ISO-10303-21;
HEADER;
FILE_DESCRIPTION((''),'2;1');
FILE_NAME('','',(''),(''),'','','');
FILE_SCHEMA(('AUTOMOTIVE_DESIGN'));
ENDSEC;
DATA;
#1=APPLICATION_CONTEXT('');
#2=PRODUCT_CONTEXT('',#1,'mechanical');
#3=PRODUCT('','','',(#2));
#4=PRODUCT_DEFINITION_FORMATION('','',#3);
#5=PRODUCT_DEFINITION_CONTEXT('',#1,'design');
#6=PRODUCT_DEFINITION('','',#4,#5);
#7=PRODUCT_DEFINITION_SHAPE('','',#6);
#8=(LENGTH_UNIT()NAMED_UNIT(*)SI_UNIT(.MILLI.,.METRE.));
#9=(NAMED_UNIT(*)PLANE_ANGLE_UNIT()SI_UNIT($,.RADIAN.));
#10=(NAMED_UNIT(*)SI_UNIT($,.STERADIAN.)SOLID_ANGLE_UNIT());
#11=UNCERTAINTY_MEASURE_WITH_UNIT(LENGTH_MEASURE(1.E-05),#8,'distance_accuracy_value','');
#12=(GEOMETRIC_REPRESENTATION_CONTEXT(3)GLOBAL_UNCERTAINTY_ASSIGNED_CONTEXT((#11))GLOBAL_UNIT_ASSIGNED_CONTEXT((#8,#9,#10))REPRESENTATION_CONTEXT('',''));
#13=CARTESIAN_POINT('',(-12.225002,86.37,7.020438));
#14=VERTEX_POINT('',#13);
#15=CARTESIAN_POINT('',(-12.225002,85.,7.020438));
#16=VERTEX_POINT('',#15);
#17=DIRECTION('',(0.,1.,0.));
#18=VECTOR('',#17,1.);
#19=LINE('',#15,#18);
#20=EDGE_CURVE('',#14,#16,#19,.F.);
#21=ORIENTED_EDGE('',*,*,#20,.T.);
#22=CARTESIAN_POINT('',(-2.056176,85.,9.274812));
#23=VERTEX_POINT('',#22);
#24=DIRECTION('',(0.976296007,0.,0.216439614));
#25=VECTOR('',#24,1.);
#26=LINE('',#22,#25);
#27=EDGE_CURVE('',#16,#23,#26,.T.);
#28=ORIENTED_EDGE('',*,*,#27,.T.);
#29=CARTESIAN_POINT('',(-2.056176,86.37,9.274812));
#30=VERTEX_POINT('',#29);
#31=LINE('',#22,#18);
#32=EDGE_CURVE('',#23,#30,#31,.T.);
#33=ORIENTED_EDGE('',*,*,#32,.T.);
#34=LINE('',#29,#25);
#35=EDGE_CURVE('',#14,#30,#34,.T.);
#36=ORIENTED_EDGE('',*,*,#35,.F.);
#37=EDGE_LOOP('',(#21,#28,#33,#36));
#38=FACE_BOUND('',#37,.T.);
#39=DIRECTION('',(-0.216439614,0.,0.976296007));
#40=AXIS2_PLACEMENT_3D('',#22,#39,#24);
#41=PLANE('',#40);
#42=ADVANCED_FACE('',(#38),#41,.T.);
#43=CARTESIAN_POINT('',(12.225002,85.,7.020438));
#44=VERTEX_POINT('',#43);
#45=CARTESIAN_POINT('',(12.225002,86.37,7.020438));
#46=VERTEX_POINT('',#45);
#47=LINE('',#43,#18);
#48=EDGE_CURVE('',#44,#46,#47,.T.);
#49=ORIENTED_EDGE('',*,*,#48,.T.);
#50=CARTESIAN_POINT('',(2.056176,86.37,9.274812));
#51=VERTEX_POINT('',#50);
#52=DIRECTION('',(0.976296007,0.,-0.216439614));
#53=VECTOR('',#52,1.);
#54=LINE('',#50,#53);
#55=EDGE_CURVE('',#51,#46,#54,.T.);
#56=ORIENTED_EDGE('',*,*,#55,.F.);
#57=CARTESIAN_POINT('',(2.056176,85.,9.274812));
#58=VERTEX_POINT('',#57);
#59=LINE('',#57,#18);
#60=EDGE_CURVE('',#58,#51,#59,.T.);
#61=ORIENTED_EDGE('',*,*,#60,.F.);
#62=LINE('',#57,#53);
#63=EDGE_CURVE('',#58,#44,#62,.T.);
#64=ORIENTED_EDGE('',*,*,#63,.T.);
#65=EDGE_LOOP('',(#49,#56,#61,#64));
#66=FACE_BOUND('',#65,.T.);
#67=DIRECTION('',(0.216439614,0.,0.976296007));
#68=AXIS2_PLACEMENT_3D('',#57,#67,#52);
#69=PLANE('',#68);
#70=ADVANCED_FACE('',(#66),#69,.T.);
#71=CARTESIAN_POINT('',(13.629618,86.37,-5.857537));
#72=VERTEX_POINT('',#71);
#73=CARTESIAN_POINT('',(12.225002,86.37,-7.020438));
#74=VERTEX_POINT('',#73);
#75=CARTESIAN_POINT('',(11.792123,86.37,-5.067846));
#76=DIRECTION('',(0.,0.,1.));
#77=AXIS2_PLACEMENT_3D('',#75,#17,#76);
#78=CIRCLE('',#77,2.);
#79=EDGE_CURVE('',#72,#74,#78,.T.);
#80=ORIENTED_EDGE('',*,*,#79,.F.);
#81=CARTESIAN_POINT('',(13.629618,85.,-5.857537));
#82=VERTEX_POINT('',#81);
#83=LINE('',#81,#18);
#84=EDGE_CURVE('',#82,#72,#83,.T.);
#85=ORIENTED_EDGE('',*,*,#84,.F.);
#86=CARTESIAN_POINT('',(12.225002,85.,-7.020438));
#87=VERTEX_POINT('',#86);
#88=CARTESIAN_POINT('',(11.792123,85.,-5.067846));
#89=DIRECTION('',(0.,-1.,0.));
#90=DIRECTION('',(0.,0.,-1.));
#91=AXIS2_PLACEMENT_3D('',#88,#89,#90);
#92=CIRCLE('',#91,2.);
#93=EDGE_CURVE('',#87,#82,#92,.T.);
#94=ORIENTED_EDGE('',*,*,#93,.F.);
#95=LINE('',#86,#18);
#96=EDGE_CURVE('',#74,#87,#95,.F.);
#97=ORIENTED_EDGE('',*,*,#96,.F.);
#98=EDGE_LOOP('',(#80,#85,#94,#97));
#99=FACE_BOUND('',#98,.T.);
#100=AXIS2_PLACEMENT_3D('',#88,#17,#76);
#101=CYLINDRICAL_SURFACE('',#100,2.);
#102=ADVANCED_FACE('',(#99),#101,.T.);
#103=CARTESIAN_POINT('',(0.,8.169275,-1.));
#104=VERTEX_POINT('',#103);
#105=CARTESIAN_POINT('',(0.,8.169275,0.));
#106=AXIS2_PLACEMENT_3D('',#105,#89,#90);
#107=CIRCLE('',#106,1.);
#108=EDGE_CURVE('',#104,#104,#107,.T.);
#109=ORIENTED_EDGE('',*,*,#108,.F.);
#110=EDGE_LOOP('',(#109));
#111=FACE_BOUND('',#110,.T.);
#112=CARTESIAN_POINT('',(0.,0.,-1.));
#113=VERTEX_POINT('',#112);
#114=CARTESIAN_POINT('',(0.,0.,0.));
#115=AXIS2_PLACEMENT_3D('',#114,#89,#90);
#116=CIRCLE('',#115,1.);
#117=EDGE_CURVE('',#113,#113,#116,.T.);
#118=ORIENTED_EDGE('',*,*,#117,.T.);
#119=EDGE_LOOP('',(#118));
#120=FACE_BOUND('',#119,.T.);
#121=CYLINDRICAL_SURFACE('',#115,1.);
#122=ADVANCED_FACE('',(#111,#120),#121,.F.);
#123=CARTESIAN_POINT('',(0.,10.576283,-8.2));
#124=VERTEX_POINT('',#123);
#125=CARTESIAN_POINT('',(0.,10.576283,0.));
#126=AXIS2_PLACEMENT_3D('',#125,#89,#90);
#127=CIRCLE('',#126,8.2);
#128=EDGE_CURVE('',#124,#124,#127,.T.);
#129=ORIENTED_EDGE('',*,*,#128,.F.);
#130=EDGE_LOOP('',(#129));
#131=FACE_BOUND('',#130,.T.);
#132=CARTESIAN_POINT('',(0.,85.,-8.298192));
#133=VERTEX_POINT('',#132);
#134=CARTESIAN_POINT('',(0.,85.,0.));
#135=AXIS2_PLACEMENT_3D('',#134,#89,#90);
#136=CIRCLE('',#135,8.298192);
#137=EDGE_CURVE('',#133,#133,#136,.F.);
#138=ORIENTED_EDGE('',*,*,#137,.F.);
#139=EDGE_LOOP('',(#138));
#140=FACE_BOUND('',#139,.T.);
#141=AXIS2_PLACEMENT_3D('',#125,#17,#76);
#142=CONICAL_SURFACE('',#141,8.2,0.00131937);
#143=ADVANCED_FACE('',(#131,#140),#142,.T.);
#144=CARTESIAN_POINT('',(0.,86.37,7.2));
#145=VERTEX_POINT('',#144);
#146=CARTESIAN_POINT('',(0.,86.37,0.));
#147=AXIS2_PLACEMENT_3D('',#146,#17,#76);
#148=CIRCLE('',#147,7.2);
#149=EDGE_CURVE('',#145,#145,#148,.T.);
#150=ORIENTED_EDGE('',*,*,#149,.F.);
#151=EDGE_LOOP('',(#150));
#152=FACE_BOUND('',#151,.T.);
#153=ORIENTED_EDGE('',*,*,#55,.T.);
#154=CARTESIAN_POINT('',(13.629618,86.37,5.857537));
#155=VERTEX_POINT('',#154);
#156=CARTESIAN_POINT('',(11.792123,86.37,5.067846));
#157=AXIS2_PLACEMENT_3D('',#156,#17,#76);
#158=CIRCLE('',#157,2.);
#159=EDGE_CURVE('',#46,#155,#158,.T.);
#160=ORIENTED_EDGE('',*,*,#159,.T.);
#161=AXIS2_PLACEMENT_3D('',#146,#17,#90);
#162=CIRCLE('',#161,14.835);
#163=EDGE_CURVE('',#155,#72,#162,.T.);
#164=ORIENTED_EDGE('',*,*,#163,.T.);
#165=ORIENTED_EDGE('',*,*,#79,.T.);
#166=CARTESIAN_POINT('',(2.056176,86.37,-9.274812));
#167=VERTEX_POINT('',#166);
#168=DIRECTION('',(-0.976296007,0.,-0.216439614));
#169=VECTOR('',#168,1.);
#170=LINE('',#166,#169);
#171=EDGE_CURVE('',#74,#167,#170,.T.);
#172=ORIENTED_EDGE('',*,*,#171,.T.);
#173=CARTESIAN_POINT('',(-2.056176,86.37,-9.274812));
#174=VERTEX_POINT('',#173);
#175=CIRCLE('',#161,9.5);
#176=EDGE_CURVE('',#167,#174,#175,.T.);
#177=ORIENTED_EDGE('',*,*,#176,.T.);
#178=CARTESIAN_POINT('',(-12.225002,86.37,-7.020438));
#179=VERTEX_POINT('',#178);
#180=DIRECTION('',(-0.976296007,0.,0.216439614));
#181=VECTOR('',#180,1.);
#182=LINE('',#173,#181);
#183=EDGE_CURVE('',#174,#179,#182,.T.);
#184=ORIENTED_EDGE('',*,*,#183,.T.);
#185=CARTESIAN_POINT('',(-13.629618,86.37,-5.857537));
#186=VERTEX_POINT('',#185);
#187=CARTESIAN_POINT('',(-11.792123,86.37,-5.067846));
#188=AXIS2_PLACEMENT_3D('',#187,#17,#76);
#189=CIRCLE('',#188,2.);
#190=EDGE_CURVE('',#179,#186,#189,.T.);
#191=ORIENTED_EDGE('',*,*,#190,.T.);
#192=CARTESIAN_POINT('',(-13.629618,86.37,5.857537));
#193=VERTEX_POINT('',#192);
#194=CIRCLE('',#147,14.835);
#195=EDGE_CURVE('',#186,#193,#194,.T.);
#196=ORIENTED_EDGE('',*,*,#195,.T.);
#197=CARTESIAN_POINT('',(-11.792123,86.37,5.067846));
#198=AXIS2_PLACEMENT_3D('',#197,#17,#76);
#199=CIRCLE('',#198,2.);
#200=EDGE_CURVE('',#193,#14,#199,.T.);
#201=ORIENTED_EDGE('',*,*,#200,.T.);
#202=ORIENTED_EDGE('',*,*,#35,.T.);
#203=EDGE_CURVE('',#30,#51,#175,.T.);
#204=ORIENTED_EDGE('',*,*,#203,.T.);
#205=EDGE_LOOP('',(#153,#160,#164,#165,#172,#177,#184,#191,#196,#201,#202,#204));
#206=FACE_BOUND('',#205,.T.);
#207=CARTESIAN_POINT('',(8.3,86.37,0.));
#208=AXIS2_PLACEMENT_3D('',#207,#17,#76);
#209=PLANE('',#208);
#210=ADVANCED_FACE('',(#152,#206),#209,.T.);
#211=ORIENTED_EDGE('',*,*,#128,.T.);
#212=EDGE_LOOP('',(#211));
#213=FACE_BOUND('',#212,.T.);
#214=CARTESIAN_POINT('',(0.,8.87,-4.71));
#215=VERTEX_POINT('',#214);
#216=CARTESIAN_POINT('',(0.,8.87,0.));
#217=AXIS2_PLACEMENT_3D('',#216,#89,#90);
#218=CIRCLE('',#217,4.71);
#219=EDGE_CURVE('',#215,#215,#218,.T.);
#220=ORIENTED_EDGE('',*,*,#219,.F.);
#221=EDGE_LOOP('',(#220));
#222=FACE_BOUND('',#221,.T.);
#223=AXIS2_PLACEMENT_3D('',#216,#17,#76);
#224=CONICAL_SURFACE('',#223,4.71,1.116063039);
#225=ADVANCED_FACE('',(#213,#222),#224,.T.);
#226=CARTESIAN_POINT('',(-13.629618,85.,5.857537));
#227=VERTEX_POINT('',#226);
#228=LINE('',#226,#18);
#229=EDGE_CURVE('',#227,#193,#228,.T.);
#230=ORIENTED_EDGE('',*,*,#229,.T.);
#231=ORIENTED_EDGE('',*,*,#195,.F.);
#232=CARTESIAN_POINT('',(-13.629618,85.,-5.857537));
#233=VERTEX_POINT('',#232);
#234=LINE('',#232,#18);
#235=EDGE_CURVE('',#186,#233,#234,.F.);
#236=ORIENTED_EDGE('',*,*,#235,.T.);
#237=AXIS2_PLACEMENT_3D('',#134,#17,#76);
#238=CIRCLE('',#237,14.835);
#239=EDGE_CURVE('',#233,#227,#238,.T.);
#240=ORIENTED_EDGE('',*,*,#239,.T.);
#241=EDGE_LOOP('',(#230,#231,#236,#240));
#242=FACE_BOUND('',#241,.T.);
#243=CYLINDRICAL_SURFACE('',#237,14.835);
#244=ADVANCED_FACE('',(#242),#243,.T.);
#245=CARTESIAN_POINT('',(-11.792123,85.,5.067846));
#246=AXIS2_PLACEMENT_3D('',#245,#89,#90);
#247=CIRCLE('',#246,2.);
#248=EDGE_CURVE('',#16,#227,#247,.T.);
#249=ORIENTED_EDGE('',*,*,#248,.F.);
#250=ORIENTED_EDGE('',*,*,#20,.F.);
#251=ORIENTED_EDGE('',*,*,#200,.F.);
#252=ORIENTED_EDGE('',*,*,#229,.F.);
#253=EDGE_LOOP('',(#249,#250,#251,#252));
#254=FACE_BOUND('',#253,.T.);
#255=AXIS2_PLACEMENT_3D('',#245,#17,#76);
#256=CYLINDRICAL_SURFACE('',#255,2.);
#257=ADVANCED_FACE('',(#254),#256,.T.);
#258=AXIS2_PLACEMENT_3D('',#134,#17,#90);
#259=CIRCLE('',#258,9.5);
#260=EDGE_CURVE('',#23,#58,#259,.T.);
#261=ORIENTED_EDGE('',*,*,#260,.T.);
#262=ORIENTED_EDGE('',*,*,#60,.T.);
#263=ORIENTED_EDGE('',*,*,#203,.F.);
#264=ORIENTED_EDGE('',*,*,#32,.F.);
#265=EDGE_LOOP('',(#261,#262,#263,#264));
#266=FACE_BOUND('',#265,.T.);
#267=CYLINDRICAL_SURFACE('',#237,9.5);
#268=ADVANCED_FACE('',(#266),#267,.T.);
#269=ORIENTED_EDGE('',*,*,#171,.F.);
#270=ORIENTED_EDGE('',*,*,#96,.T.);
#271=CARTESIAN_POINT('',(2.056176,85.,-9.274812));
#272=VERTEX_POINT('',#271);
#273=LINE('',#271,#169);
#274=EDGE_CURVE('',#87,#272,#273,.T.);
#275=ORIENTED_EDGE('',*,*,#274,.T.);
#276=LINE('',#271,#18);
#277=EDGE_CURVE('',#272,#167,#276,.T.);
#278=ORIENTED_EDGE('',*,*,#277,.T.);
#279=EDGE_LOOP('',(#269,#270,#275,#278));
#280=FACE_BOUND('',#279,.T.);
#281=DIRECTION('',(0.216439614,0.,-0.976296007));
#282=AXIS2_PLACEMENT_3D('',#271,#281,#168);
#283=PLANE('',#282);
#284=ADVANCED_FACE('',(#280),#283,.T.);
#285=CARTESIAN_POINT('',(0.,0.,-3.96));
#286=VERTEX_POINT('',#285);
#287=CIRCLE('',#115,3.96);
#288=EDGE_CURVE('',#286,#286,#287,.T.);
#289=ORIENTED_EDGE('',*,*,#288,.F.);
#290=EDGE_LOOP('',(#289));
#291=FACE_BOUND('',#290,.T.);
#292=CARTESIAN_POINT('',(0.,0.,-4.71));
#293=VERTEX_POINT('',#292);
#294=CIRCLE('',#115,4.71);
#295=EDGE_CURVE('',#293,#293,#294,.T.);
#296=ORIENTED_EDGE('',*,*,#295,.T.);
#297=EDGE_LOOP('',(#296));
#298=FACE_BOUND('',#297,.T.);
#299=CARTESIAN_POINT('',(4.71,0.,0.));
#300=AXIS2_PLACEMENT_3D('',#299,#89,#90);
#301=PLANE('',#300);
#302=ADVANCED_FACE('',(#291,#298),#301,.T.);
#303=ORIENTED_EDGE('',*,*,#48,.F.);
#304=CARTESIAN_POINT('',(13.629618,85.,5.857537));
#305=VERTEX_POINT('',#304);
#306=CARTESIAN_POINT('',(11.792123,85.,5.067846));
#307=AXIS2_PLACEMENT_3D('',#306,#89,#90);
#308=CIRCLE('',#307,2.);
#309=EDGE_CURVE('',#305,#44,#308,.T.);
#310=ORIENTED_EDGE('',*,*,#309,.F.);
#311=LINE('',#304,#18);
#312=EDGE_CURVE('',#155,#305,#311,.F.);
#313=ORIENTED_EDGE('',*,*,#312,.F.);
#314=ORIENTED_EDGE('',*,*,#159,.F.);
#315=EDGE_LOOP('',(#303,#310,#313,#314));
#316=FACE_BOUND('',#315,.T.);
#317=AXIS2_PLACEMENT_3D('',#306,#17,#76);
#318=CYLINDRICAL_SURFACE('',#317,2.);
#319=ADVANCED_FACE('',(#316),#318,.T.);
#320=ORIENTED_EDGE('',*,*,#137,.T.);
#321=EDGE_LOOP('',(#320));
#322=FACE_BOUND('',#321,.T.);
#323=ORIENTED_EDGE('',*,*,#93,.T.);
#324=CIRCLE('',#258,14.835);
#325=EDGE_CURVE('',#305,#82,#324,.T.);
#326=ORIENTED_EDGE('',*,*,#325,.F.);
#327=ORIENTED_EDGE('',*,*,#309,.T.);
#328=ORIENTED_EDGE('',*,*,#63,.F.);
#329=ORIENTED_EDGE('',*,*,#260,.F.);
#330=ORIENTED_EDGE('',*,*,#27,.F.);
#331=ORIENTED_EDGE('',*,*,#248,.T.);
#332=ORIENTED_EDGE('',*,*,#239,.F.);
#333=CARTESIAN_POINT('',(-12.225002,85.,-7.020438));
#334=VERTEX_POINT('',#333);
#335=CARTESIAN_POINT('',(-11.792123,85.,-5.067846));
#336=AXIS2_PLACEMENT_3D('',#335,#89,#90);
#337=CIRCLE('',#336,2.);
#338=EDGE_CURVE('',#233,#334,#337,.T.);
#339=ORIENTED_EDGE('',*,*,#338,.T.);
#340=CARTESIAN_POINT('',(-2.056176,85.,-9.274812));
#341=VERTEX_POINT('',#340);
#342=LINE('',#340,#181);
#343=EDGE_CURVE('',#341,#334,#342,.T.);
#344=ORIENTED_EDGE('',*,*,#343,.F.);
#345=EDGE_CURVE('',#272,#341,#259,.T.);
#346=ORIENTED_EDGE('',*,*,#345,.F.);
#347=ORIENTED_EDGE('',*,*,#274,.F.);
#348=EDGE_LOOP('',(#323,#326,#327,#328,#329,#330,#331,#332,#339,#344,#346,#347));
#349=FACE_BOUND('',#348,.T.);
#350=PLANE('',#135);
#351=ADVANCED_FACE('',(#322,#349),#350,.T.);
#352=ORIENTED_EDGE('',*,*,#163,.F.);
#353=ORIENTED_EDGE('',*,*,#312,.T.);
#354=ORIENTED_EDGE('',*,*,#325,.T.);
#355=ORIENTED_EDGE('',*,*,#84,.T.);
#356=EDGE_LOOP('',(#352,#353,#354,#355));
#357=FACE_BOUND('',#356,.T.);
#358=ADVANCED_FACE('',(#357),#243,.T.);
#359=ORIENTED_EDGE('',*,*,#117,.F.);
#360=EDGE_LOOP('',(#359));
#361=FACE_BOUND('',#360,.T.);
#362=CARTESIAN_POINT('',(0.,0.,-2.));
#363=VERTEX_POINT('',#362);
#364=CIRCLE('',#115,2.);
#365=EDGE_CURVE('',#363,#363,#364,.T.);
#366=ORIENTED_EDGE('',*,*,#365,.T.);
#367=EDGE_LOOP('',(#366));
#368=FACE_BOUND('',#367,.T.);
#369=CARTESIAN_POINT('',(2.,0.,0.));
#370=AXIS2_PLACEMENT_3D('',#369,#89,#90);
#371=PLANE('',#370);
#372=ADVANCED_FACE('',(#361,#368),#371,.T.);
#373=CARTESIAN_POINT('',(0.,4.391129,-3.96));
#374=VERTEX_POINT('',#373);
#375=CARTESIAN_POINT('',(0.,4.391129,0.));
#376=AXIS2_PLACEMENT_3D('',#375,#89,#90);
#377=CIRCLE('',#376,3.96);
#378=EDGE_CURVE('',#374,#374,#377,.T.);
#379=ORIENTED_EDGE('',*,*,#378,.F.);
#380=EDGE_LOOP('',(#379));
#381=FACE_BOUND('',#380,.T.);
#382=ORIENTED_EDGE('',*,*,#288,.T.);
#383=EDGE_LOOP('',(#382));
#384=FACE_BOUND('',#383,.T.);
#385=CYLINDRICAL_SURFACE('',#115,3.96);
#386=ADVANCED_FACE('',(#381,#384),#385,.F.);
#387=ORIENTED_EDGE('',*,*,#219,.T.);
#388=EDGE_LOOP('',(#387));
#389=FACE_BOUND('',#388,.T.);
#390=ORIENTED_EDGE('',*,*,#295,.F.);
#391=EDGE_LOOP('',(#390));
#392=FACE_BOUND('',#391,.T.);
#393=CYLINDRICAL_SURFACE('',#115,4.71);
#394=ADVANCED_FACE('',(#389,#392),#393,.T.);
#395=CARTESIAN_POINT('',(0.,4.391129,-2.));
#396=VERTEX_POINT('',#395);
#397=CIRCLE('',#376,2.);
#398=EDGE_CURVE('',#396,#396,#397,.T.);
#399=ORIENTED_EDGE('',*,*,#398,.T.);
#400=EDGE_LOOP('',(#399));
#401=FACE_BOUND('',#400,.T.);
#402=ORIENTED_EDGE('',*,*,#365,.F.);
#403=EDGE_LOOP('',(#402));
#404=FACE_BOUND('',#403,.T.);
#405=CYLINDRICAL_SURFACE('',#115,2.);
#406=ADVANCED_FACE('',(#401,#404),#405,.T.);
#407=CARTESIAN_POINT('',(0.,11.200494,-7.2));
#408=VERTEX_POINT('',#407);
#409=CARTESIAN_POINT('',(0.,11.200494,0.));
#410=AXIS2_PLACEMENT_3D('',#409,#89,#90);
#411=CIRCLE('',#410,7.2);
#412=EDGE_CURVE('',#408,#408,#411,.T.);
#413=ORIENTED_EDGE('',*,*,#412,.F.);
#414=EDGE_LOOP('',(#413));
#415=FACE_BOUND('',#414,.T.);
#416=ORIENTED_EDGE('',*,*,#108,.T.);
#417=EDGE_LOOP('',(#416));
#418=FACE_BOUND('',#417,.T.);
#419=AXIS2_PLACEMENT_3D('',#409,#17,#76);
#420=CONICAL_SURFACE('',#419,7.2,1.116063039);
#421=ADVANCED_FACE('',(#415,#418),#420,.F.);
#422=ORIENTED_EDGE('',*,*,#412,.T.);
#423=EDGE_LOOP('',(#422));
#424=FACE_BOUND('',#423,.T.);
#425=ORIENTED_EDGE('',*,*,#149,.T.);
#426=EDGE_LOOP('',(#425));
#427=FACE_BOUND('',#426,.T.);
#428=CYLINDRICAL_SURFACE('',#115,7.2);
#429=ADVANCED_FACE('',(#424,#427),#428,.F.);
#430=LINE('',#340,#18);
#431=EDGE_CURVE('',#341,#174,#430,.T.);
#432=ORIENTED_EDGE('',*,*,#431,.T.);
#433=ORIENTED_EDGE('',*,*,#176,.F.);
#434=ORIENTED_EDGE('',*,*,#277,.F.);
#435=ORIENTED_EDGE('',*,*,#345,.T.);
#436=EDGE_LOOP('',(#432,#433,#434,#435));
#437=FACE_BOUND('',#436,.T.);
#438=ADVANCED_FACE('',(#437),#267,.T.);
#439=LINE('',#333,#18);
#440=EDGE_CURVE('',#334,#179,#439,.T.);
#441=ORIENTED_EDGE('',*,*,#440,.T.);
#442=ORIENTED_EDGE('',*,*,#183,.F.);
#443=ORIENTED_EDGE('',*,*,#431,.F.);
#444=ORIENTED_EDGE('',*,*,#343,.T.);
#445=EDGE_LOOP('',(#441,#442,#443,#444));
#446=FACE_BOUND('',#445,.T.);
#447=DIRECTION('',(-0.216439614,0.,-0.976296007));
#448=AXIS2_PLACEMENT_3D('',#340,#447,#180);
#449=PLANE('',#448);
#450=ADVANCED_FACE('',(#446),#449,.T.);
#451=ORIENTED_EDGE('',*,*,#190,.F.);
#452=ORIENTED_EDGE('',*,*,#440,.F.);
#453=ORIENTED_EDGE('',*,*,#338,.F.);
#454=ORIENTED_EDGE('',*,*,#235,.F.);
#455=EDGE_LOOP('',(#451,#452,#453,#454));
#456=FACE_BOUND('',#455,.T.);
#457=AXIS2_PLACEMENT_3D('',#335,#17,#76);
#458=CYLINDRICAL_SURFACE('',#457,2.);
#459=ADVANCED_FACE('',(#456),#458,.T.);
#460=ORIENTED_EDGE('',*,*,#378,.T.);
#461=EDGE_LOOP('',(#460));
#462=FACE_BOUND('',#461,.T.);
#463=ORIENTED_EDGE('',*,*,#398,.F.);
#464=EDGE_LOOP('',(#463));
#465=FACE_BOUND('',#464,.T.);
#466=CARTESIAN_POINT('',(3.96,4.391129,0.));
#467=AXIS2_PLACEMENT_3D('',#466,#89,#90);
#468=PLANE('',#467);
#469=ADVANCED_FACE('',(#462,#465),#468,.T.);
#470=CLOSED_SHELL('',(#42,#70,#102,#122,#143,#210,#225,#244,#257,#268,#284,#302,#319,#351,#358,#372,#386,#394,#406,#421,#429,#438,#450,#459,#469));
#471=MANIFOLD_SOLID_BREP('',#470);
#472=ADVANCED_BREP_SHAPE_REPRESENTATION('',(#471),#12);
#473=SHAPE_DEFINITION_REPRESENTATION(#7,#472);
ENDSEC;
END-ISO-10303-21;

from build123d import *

# Parameters (mm, degrees)
BOSS_EXTRUDE2_DEPTH = 1.37
FILLET1_R           = 2
CUT_EXTRUDE1_REACH  = 88.37
SKETCH3_R           = 7.2


with BuildPart() as part:
    # Sketch1 → Revolve1 (revolve)
    with BuildSketch(Plane.XY):
        Polygon((8.3, 86.37), (8.2, 10.576282817), (4.71, 8.87), (4.71, 0), (3.96, 0), (3.96, 4.391129032), (2, 4.391129032), (2, 0), (1, 0), (1, 8.169274748), (7.2, 11.200493506), (7.2, 86.37), align=None)
    revolve(axis=Axis((0, 0, 0), (0, 1, 0)))

    # Sketch2 → Boss-Extrude2 (add)
    with BuildSketch(Plane(origin=(0, 86.37, 0), x_dir=(1, 0, 0), z_dir=(0, 1, 0))):
        with BuildLine():
            Line((2.056176332, 9.274812068), (13.180263935, 6.808661219))
            ThreePointArc((13.180263935, 6.808661219), (14.835, 0), (13.180263935, -6.808661219))
            Line((13.180263935, -6.808661219), (2.056176332, -9.274812068))
            ThreePointArc((2.056176332, -9.274812068), (0, -9.5), (-2.056176332, -9.274812068))
            Line((-2.056176332, -9.274812068), (-13.180263935, -6.808661219))
            ThreePointArc((-13.180263935, -6.808661219), (-14.835, 0), (-13.180263935, 6.808661219))
            Line((-13.180263935, 6.808661219), (-2.056176332, 9.274812068))
            ThreePointArc((-2.056176332, 9.274812068), (0, 9.5), (2.056176332, 9.274812068))
        make_face()
    extrude(amount=-BOSS_EXTRUDE2_DEPTH)

    # Fillet1
    fillet1_edges = [part.edges().sort_by_distance(p)[0] for p in [
        (13.180263935, 85.685, -6.808661219),
        (13.180263935, 85.685, 6.808661219),
        (-13.180263935, 85.685, 6.808661219),
        (-13.180263935, 85.685, -6.808661219),
    ]]
    fillet(fillet1_edges, radius=FILLET1_R)

    # Sketch3 → Cut-Extrude1 (cut, up to next)
    with BuildSketch(Plane(origin=(0, 86.37, 0), x_dir=(1, 0, 0), z_dir=(0, 1, 0)), mode=Mode.PRIVATE) as cut_extrude1_sk1:
        Circle(SKETCH3_R)
    cut_extrude1_tool1 = extrude(cut_extrude1_sk1.sketch, amount=-CUT_EXTRUDE1_REACH, mode=Mode.PRIVATE) & part.part
    add(cut_extrude1_tool1.solids().sort_by_distance((0, 86.37, 0))[0], mode=Mode.SUBTRACT)


solid = part.part
